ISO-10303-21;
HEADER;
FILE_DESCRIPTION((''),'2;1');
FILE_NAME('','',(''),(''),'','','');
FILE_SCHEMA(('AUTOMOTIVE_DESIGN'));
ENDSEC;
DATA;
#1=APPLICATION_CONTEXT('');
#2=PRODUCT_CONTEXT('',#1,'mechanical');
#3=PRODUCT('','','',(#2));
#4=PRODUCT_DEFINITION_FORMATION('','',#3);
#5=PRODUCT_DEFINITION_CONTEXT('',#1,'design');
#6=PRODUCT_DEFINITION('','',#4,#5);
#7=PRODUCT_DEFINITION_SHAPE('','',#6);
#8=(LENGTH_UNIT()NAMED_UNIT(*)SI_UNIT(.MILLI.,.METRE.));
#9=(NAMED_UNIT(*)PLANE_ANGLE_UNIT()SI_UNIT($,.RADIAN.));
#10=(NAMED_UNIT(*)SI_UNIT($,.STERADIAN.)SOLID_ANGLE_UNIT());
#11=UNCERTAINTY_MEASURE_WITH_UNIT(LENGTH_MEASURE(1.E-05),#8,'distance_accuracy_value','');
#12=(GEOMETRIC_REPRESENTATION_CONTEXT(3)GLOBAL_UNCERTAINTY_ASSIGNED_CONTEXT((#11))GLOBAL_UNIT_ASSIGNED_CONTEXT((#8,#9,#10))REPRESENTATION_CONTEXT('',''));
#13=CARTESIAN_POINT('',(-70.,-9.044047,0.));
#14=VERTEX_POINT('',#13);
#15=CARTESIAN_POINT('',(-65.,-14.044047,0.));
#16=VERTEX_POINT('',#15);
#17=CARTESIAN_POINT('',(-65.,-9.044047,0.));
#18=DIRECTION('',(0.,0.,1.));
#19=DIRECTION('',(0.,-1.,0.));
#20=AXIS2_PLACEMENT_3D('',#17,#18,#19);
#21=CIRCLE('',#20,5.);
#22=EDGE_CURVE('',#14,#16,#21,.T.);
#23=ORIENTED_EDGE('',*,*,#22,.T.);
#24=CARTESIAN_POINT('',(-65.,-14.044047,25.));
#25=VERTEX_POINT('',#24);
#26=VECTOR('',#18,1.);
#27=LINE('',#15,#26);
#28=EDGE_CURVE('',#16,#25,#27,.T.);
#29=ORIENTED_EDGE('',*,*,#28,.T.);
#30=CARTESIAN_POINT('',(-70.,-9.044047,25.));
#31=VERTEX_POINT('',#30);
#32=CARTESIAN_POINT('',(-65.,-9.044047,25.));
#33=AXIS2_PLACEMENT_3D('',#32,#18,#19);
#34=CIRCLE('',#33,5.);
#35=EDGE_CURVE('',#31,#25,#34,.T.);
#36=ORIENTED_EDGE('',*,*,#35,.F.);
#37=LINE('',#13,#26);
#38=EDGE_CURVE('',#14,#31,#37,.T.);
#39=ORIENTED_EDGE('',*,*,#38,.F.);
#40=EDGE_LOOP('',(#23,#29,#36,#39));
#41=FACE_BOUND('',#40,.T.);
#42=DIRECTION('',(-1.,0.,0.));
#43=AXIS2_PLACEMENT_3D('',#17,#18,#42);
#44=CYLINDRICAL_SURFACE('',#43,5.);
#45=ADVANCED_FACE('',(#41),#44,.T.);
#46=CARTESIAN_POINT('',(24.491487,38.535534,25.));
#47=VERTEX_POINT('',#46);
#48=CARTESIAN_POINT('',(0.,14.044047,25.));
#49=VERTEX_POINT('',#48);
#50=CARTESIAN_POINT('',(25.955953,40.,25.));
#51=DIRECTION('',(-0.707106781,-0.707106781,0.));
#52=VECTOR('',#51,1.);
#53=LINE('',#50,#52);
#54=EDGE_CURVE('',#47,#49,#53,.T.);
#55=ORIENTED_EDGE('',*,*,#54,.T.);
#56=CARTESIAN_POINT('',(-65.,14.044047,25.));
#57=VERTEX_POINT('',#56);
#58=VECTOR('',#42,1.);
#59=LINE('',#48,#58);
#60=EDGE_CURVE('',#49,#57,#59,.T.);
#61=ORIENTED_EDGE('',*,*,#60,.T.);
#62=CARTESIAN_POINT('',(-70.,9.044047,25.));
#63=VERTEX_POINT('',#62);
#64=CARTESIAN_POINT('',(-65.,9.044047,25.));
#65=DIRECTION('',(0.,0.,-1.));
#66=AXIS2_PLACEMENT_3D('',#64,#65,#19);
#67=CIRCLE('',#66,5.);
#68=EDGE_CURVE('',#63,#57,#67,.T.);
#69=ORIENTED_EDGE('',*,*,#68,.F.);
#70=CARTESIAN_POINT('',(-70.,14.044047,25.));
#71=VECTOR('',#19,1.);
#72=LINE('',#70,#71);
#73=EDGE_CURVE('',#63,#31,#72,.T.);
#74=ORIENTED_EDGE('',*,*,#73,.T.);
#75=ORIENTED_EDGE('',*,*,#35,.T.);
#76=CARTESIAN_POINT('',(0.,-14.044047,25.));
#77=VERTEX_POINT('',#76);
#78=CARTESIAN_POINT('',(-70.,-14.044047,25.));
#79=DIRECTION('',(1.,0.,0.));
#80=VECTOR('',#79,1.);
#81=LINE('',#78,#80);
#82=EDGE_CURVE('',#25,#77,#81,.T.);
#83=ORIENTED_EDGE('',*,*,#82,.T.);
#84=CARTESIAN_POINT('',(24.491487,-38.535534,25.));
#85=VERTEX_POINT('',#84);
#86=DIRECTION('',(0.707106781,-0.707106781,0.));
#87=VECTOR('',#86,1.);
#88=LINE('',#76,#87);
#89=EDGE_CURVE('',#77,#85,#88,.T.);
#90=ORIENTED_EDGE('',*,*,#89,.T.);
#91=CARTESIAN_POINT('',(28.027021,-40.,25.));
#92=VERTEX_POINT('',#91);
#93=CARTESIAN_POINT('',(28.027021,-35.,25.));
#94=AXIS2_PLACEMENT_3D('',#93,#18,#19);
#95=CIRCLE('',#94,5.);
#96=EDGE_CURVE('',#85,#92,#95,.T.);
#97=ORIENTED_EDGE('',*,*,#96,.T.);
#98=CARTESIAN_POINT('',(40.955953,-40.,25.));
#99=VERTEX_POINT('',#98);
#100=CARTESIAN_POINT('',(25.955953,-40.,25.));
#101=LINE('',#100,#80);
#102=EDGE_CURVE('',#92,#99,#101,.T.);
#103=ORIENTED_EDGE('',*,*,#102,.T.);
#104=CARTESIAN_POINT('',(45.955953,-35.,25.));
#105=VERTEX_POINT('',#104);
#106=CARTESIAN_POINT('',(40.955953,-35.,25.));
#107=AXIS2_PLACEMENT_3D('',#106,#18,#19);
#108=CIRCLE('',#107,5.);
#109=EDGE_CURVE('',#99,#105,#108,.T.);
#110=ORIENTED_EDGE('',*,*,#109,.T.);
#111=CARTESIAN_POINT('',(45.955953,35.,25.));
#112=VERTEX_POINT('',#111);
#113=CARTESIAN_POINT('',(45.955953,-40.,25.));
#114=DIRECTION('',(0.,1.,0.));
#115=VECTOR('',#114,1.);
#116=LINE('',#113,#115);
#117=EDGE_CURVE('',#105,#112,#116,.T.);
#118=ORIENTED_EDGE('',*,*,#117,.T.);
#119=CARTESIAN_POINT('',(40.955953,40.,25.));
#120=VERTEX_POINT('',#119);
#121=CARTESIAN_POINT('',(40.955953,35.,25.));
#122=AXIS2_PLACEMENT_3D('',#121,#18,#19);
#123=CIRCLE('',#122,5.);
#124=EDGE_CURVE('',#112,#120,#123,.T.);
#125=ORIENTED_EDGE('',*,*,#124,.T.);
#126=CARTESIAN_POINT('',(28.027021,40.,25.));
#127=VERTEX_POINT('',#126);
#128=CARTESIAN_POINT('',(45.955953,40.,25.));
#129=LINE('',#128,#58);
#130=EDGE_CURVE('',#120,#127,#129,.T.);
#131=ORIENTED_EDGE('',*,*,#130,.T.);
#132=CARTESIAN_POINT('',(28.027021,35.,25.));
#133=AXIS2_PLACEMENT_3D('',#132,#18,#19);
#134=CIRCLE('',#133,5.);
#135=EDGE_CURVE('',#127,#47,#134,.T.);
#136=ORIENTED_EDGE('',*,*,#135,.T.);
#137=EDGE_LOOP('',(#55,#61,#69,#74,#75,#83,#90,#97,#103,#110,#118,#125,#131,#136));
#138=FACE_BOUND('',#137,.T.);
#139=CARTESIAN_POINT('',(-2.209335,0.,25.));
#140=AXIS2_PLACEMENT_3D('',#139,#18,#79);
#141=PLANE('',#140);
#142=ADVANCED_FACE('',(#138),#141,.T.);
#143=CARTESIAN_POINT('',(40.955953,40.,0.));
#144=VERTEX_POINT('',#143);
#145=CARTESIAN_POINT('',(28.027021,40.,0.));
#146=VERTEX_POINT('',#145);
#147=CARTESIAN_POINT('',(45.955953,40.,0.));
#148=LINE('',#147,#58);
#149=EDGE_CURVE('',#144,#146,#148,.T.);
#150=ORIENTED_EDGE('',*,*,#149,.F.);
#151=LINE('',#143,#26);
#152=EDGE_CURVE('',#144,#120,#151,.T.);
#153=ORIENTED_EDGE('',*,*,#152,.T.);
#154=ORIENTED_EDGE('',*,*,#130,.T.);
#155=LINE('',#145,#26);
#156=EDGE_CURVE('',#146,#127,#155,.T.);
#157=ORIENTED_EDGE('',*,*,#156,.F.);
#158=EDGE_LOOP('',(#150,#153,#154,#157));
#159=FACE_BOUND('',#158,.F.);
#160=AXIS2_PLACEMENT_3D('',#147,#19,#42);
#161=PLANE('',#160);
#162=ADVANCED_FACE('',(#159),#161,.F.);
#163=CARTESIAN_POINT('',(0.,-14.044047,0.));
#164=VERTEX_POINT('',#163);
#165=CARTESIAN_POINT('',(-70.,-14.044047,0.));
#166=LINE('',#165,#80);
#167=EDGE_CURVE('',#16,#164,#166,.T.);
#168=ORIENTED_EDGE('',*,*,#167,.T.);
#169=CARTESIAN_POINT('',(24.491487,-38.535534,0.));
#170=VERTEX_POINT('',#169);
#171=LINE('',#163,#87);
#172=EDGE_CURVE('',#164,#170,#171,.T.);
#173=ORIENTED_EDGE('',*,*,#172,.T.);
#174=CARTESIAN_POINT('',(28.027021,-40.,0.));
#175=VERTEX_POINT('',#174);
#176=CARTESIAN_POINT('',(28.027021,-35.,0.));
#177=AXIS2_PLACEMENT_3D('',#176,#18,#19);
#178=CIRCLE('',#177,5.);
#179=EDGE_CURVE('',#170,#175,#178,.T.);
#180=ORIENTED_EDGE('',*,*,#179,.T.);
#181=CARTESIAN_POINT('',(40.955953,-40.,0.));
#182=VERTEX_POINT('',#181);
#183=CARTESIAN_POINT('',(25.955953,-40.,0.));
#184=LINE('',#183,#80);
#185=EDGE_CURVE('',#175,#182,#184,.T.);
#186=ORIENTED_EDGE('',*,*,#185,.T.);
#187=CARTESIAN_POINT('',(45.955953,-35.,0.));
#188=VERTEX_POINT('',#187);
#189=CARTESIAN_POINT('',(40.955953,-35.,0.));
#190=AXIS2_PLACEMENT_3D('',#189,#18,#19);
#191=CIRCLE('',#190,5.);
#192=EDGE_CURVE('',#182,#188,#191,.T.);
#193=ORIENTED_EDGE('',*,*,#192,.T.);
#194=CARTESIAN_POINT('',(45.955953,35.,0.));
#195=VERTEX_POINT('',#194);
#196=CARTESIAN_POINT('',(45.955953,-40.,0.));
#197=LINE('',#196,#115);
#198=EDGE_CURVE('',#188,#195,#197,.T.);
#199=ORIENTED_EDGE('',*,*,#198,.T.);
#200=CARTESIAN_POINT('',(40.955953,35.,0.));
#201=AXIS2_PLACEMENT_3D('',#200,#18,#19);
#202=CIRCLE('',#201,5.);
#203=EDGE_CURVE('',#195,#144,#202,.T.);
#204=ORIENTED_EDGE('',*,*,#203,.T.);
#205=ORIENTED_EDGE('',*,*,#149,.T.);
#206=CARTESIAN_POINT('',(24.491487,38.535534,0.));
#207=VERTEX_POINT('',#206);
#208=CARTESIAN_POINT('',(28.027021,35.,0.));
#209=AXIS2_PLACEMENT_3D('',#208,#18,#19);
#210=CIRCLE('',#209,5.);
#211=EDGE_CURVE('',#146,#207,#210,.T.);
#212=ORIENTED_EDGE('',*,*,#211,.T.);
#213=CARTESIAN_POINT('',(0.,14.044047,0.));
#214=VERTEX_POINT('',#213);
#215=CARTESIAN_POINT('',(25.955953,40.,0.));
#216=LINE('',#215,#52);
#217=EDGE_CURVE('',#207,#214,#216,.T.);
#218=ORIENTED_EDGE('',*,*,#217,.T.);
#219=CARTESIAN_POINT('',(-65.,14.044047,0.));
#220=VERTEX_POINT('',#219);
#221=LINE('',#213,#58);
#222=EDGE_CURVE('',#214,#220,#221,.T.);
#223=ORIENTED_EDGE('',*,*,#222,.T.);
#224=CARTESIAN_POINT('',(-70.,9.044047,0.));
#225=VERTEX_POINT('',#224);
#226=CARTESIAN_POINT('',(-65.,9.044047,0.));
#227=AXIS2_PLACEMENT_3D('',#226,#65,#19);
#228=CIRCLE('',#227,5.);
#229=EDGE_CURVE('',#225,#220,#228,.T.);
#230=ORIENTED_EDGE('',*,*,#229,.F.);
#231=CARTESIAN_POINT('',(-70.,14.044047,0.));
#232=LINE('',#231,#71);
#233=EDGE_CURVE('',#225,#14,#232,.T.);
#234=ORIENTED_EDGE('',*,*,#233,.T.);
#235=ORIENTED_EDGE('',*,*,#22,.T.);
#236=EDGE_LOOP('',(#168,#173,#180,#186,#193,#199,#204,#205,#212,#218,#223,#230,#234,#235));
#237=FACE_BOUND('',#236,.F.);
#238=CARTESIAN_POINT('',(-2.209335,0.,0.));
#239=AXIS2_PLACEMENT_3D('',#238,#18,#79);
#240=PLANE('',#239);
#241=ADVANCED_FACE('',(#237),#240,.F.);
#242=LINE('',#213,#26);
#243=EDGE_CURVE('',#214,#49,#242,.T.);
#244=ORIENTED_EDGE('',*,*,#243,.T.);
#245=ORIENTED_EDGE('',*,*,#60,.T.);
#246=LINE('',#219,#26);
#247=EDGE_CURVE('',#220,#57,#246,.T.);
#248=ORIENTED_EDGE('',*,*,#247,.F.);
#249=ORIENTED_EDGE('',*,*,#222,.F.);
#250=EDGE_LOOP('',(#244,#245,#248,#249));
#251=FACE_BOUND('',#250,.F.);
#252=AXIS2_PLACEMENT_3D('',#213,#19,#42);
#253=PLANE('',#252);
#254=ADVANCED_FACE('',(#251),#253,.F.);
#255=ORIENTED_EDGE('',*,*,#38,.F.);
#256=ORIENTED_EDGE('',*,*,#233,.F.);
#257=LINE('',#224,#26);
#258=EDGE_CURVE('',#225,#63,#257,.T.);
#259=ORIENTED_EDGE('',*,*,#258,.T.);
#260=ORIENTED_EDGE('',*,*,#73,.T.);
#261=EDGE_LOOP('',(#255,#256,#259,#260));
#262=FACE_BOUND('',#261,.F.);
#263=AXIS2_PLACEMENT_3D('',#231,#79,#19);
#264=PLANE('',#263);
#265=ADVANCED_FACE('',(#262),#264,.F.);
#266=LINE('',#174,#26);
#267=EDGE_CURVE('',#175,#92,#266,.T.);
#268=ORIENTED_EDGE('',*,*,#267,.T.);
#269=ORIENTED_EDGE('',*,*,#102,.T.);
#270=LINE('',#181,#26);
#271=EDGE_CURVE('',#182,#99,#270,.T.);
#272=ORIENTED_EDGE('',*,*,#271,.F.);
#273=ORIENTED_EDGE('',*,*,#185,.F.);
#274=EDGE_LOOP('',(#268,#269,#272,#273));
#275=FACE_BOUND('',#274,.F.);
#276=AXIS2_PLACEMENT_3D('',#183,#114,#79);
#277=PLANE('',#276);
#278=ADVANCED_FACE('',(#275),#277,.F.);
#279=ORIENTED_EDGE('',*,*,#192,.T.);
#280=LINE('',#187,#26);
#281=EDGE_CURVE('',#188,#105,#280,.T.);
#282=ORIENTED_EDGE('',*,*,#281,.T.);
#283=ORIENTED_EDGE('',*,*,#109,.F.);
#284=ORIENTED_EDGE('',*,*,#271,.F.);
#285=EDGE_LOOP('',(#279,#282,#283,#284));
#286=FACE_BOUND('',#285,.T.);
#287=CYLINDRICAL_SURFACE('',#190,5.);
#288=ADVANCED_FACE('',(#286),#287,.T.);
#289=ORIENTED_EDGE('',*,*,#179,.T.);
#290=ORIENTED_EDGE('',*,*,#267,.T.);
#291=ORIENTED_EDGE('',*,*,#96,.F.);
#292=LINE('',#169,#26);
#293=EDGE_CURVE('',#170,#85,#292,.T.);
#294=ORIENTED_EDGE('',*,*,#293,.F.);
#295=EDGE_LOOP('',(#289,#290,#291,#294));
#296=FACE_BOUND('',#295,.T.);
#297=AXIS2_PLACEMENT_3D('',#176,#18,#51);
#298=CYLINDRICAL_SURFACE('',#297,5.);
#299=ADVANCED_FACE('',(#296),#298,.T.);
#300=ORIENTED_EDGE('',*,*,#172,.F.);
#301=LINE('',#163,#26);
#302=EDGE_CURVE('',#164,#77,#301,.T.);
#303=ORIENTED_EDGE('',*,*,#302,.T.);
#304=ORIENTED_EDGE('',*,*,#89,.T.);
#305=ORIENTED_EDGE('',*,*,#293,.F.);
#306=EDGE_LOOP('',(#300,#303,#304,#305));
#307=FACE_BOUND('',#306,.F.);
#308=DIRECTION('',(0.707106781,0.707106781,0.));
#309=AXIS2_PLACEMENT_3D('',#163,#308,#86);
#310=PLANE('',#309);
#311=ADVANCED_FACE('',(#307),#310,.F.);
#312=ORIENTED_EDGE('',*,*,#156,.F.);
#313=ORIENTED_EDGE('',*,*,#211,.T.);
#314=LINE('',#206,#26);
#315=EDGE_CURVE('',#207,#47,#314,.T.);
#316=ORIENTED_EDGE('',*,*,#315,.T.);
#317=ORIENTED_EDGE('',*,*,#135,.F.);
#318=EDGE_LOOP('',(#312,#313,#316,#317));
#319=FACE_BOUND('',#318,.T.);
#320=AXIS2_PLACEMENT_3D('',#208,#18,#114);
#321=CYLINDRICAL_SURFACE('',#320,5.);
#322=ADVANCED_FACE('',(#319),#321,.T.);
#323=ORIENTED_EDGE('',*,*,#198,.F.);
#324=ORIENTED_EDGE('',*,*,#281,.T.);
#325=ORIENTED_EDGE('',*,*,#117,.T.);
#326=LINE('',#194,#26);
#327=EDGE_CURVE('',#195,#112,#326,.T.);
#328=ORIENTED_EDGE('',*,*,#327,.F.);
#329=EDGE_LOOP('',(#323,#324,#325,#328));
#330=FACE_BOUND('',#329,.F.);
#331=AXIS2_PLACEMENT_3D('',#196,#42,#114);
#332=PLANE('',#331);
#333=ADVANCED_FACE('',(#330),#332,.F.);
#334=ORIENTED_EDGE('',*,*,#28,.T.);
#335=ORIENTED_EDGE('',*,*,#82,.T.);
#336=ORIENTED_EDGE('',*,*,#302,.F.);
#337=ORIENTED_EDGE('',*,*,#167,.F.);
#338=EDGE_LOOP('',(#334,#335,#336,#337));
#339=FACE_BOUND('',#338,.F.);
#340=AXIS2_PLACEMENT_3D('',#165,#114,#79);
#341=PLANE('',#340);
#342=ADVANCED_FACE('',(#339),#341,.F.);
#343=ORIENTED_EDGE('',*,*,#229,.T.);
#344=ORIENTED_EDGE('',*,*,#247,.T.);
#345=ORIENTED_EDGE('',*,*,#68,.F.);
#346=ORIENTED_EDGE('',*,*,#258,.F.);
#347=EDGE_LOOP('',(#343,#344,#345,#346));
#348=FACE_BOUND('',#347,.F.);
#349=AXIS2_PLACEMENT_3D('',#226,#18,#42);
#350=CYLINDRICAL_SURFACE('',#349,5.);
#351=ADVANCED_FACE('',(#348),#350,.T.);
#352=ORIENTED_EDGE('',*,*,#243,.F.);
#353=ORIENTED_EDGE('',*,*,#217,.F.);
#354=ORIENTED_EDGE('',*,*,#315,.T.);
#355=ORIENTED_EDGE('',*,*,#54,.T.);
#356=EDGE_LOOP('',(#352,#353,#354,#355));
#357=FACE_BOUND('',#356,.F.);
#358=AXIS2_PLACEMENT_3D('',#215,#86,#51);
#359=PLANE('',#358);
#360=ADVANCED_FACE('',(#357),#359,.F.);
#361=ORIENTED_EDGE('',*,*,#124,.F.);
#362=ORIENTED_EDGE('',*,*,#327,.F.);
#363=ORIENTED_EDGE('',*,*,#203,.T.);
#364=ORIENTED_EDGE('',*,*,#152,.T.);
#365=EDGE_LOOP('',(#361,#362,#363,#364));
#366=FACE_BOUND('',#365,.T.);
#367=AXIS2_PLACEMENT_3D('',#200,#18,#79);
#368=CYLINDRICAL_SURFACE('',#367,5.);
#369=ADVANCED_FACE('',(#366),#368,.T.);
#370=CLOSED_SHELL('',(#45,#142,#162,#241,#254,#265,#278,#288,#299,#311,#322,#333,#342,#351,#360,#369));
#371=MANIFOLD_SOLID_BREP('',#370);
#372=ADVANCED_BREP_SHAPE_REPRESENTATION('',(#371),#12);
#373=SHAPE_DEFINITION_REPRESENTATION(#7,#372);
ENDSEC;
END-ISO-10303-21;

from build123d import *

# Parameters (mm, degrees)
F1_DEPTH = 25
F2_R     = 5


with BuildPart() as f1:
    # F0 (on Top) → F1 (new body)
    with BuildSketch(Plane.XY):
        Polygon((-70, 14.044047), (-70, 0), (-70, -14.044047), (0, -14.044047), (25.955953, -40), (45.955953, -40), (45.955953, 0), (45.955953, 40), (25.955953, 40), (0, 14.044047), align=None)
    extrude(amount=F1_DEPTH)

    # F2
    f2_edges = [f1.edges().sort_by_distance(p)[0] for p in [
        (-70, -14.044047, 12.5),
        (-70, 14.044047, 12.5),
        (25.955953, -40, 12.5),
        (25.955953, 40, 12.5),
        (45.955953, 40, 12.5),
        (45.955953, -40, 12.5),
    ]]
    fillet(f2_edges, radius=F2_R)


solid = f1.part
